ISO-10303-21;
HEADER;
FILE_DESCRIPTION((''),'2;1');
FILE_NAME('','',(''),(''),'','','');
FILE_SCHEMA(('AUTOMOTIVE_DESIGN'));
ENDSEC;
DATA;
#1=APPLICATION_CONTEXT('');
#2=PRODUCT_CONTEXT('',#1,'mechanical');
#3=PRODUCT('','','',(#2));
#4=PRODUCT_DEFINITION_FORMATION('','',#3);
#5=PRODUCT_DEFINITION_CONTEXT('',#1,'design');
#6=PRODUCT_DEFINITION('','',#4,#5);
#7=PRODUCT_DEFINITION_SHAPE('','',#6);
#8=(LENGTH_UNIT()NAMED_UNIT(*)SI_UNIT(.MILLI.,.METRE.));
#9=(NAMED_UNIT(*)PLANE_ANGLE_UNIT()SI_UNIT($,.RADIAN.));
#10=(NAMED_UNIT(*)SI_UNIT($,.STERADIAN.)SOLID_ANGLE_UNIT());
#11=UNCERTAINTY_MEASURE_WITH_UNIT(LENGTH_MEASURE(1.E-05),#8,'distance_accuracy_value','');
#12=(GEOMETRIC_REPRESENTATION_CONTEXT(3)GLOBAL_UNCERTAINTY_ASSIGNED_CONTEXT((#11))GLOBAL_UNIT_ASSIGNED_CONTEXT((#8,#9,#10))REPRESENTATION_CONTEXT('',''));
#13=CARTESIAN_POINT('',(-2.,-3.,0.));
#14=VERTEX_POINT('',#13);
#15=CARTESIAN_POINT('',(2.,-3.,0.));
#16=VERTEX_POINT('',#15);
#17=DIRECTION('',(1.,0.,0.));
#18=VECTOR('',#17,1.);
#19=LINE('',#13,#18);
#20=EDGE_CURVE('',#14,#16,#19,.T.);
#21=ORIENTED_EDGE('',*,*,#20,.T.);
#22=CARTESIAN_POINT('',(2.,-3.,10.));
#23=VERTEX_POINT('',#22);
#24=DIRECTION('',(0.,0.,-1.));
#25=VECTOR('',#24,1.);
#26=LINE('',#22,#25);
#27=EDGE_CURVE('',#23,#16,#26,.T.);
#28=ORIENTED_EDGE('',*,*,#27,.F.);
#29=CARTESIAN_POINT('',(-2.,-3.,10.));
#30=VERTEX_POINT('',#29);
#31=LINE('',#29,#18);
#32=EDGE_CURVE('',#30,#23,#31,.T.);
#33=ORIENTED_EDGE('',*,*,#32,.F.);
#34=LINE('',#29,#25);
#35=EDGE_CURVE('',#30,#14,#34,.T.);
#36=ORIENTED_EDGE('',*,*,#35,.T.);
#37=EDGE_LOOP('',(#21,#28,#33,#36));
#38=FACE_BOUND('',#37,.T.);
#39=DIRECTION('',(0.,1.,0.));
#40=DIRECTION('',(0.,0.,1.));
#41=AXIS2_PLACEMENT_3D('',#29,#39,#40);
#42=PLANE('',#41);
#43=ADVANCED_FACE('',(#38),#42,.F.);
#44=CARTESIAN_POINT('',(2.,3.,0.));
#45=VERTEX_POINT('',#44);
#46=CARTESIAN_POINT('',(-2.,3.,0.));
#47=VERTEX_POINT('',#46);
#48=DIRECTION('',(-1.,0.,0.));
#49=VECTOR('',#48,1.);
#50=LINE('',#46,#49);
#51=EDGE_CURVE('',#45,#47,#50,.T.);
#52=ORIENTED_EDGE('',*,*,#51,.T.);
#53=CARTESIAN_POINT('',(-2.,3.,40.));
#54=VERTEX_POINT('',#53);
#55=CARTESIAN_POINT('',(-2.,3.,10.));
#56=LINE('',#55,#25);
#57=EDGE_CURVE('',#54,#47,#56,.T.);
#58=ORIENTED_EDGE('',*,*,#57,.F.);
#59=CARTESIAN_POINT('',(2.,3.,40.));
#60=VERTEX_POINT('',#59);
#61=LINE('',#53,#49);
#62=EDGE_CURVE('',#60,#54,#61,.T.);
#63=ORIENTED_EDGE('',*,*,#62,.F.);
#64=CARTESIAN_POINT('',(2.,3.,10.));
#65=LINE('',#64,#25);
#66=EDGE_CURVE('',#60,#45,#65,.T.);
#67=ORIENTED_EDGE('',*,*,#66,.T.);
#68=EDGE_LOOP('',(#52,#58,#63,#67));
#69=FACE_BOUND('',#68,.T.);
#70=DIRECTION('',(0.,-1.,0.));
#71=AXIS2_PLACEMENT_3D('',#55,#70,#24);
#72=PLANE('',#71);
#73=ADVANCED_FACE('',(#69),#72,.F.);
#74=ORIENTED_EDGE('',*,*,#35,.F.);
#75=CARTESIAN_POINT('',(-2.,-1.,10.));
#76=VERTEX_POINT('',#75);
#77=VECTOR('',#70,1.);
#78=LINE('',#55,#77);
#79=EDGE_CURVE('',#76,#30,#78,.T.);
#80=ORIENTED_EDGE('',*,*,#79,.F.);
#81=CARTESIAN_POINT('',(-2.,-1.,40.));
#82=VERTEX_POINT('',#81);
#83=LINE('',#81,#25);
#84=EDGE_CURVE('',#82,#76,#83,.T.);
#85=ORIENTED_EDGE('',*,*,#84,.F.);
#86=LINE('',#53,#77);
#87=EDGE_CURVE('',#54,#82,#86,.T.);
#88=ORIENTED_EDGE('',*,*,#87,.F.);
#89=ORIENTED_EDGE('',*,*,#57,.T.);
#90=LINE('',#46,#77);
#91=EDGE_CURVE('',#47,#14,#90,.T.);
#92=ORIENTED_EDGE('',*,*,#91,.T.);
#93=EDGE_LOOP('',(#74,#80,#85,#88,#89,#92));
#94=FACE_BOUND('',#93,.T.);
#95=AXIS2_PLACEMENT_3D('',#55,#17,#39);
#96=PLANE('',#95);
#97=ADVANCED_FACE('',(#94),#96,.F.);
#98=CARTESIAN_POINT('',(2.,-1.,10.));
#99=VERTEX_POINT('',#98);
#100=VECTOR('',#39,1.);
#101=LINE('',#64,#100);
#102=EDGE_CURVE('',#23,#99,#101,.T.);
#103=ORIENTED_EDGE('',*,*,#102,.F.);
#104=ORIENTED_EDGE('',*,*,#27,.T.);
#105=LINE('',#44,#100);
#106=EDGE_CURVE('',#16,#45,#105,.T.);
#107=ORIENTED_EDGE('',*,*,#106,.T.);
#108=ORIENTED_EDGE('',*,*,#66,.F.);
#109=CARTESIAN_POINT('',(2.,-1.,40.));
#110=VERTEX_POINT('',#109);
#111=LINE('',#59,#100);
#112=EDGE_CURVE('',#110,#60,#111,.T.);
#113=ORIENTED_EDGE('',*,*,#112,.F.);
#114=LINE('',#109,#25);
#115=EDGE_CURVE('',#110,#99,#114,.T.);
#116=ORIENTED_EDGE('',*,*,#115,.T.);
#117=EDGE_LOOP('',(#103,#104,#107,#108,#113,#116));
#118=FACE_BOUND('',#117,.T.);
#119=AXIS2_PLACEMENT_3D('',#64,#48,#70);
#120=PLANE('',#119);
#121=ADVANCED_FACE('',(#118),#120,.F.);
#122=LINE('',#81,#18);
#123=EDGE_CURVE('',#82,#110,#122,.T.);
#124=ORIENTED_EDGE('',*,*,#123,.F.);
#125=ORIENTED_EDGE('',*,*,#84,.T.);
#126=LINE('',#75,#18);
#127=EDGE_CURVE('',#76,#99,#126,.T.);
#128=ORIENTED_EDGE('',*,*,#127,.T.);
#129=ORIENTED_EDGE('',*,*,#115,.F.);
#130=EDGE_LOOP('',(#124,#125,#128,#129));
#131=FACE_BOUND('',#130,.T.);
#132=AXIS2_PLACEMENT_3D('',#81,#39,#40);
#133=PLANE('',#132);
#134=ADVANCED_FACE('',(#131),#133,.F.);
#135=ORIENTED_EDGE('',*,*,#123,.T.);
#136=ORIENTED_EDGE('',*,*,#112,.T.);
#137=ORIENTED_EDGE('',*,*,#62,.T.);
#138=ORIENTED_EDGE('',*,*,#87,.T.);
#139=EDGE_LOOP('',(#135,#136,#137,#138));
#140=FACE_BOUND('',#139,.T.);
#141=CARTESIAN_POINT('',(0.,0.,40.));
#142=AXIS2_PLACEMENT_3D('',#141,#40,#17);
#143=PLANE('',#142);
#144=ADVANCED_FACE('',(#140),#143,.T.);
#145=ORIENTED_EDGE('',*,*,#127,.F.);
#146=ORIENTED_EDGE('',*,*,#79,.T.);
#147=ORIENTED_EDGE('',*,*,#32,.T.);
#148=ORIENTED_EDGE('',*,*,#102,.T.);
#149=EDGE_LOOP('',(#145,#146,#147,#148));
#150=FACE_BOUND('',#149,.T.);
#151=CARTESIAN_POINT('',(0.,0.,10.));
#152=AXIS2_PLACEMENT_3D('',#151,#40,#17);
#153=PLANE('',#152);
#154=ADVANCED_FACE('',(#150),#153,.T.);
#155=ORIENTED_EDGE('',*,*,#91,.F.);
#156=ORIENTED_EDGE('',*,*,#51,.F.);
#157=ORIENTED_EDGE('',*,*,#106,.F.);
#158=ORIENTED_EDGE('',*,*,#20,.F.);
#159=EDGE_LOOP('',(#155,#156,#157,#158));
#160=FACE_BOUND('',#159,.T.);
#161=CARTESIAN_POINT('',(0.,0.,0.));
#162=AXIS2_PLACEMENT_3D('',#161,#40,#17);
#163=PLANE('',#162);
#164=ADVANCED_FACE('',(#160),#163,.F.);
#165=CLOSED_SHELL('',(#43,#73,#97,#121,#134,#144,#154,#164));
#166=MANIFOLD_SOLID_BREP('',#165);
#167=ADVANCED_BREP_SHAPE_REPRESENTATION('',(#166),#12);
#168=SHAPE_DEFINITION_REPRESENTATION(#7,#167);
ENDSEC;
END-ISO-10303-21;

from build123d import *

# Parameters (mm, degrees)
CROQUIS11_W             = 4
CROQUIS11_H             = 6
SALIENTE_EXTRUIR5_DEPTH = 10
CROQUIS12_W             = 4
CROQUIS12_H             = 4
SALIENTE_EXTRUIR6_DEPTH = 30


with BuildPart() as part:
    # Croquis11 → Saliente-Extruir5 (new body)
    with BuildSketch(Plane.XY):
        Rectangle(CROQUIS11_W, CROQUIS11_H)
    extrude(amount=SALIENTE_EXTRUIR5_DEPTH)

    # Croquis12 → Saliente-Extruir6 (add)
    with BuildSketch(Plane.XY.offset(10)):
        with Locations((0, 1)):
            Rectangle(CROQUIS12_W, CROQUIS12_H)
    extrude(amount=SALIENTE_EXTRUIR6_DEPTH)


solid = part.part
